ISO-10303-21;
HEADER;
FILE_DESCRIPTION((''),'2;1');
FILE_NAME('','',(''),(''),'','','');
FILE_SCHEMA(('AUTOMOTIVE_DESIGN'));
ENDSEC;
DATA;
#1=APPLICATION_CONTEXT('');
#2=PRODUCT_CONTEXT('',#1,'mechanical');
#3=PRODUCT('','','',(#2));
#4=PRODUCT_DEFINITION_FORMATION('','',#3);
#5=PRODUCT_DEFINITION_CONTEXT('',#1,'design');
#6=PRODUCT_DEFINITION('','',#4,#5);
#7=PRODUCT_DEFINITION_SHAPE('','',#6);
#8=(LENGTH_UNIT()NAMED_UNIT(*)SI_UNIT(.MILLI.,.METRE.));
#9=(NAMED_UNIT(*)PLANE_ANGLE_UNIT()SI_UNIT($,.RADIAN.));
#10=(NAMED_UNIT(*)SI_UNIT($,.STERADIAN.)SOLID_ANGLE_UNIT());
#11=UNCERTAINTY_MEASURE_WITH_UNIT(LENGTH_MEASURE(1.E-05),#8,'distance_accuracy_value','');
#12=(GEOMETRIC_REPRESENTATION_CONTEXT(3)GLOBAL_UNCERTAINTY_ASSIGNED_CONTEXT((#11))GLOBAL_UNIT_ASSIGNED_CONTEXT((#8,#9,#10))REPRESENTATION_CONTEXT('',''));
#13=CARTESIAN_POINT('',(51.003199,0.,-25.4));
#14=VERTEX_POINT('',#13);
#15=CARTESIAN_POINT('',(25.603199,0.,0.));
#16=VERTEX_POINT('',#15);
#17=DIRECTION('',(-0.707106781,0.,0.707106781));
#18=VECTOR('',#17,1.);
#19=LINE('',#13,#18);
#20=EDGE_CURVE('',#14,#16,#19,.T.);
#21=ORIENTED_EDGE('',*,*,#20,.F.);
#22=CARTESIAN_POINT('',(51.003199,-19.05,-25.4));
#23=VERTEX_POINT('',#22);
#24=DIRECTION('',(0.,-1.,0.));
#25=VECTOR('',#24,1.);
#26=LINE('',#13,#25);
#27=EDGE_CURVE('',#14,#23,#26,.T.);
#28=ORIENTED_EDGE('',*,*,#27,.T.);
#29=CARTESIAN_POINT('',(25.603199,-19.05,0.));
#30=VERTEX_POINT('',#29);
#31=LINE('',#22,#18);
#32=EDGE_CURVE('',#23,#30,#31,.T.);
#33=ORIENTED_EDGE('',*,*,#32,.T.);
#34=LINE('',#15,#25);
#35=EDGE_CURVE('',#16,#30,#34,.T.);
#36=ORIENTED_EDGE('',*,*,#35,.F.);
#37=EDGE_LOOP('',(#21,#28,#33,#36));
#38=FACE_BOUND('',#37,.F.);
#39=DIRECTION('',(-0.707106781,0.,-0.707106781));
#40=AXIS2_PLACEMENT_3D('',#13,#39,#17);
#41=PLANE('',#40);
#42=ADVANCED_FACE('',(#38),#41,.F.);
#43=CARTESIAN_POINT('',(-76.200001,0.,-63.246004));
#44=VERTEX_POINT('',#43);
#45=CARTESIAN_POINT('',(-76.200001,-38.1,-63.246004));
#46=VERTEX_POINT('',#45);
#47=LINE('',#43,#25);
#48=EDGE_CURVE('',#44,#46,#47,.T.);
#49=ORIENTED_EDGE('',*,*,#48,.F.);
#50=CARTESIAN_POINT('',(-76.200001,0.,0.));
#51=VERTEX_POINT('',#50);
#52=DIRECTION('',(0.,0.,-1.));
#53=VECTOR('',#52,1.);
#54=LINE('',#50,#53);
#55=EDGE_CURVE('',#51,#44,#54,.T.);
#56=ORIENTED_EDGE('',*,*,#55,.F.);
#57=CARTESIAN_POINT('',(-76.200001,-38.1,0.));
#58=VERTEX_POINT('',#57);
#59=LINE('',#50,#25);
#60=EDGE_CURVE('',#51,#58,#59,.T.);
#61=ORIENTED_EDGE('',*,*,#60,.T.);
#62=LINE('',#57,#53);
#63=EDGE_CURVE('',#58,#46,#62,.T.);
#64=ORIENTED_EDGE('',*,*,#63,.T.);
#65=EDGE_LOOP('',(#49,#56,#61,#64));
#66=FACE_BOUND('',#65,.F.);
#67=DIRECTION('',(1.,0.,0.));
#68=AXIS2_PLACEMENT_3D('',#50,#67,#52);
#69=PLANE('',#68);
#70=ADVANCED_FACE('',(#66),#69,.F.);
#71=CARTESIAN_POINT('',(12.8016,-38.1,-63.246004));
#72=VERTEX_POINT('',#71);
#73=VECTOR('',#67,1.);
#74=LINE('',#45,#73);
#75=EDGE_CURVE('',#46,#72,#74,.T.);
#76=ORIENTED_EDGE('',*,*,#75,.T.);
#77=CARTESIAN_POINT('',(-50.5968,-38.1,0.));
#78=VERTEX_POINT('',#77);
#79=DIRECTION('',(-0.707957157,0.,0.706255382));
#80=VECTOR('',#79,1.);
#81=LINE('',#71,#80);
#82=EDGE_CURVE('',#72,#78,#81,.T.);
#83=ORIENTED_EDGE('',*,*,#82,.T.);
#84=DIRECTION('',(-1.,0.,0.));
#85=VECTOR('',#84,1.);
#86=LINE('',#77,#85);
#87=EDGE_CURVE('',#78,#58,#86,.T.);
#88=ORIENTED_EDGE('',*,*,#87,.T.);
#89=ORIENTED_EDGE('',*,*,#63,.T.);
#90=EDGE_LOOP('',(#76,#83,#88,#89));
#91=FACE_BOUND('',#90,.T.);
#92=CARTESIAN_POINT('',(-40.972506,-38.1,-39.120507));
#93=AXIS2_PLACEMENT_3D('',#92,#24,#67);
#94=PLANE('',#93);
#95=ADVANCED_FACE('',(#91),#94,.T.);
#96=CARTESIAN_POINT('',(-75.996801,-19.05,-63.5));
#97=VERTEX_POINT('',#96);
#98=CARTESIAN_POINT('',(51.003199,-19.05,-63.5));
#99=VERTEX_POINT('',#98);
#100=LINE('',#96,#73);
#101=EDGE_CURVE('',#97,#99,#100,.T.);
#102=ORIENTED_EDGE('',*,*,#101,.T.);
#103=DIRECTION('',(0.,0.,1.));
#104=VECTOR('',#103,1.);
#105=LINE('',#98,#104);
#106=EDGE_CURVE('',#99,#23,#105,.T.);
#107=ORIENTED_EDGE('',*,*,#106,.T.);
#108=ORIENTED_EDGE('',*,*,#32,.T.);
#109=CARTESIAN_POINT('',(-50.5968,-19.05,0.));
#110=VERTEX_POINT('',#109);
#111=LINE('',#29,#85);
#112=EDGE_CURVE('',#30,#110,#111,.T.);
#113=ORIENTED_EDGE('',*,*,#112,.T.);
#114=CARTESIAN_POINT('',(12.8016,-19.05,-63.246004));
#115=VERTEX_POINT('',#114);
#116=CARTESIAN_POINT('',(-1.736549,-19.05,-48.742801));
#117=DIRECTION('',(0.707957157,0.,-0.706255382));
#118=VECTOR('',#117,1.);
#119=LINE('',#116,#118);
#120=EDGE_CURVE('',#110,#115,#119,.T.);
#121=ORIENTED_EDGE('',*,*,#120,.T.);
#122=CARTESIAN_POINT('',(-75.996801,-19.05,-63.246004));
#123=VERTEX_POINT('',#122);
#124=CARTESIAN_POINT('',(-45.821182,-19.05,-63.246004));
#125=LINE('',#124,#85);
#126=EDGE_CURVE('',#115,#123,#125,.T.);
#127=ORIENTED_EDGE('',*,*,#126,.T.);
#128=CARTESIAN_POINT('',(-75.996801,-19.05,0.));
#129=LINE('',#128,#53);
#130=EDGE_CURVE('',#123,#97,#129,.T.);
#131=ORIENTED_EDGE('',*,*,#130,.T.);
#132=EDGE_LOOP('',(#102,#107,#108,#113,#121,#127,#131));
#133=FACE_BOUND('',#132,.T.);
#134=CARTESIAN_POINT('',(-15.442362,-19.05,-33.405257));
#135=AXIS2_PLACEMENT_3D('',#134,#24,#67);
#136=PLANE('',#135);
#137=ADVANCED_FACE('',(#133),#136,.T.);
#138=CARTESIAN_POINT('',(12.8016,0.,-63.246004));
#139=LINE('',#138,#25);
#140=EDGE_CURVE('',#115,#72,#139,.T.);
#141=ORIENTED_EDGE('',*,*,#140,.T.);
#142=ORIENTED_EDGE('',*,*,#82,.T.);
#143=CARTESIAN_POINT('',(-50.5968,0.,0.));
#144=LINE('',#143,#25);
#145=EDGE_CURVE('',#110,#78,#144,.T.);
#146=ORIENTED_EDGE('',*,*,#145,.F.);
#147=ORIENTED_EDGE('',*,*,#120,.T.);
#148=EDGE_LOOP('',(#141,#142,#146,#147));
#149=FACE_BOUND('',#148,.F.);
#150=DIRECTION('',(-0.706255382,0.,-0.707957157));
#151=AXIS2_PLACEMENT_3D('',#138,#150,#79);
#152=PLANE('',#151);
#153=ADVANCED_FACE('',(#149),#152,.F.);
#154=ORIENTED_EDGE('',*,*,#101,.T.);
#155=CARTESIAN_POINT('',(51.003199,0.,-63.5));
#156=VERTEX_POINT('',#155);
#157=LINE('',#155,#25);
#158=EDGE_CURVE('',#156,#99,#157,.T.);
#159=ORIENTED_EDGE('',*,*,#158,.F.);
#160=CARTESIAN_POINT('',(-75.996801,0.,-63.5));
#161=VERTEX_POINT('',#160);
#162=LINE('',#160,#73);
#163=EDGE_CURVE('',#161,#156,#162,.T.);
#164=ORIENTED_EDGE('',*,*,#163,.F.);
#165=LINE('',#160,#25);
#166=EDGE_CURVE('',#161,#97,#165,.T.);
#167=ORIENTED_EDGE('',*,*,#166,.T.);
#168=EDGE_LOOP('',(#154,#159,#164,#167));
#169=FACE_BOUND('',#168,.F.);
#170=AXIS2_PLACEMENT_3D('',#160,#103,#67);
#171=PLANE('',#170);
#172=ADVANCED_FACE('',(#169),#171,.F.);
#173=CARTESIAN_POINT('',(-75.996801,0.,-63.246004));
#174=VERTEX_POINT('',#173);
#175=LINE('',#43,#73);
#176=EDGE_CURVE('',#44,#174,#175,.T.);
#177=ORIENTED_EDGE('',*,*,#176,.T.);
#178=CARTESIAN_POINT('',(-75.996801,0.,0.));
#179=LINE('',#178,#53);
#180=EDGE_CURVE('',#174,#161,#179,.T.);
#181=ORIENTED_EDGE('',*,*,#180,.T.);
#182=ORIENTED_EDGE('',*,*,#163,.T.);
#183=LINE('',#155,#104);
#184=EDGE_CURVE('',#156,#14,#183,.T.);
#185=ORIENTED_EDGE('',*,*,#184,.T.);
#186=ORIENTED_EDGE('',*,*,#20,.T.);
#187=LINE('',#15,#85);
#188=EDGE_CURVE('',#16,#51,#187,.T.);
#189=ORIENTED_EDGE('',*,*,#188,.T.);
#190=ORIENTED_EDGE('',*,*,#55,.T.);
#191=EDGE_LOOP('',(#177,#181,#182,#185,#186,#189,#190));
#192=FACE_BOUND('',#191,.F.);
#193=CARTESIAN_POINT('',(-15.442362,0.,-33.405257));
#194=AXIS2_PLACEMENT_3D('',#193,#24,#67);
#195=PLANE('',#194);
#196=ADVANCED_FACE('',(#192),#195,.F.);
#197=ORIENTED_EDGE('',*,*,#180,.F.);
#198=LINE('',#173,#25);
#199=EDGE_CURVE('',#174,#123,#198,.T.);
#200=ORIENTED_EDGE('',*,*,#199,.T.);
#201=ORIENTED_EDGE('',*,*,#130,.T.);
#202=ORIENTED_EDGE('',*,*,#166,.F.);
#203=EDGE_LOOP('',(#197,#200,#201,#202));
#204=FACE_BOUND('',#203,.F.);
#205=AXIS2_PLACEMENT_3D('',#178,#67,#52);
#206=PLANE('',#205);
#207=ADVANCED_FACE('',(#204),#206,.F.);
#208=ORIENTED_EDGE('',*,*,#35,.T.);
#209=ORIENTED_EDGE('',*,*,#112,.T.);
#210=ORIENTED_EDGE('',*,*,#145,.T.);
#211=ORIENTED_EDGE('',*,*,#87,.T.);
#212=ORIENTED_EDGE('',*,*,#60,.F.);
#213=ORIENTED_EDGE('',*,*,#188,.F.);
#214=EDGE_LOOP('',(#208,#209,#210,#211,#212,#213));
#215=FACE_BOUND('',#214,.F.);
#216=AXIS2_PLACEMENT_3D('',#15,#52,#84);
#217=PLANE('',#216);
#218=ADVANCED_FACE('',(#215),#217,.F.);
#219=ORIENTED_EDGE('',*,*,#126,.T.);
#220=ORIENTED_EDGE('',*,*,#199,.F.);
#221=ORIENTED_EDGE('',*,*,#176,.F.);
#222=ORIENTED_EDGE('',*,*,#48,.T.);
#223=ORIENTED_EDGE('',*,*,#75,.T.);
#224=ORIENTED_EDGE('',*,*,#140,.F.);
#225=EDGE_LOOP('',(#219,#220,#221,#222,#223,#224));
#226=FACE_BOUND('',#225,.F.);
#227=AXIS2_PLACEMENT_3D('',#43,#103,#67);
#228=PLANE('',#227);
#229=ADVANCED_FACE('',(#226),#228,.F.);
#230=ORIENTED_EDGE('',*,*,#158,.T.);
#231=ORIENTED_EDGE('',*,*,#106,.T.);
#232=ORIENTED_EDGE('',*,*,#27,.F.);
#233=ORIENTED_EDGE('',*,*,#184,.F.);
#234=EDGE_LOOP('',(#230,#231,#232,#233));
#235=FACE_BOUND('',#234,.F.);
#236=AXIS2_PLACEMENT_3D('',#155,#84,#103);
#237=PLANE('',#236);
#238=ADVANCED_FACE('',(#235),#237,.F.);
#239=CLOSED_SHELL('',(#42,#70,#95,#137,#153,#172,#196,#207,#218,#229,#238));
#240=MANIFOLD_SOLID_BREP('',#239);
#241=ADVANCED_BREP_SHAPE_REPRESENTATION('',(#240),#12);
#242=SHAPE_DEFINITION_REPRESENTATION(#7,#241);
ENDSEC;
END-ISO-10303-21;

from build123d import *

# Parameters (mm, degrees)
F1_DEPTH = 19.05
F3_DEPTH = 38.1


with BuildPart() as f1:
    # F0 (on Front) → F1 (new body)
    with BuildSketch(Plane.XZ):
        Polygon((25.603199, 0), (-75.996801, 0), (-75.996801, -63.5), (51.003199, -63.5), (51.003199, -25.4), align=None)
    extrude(amount=F1_DEPTH)

    # F2 (on Front) → F3 (join)
    with BuildSketch(Plane.XZ):
        Polygon((-50.5968, 0), (-76.200001, 0), (-76.200001, -63.246004), (12.8016, -63.246004), align=None)
    extrude(amount=F3_DEPTH)


solid = f1.part
